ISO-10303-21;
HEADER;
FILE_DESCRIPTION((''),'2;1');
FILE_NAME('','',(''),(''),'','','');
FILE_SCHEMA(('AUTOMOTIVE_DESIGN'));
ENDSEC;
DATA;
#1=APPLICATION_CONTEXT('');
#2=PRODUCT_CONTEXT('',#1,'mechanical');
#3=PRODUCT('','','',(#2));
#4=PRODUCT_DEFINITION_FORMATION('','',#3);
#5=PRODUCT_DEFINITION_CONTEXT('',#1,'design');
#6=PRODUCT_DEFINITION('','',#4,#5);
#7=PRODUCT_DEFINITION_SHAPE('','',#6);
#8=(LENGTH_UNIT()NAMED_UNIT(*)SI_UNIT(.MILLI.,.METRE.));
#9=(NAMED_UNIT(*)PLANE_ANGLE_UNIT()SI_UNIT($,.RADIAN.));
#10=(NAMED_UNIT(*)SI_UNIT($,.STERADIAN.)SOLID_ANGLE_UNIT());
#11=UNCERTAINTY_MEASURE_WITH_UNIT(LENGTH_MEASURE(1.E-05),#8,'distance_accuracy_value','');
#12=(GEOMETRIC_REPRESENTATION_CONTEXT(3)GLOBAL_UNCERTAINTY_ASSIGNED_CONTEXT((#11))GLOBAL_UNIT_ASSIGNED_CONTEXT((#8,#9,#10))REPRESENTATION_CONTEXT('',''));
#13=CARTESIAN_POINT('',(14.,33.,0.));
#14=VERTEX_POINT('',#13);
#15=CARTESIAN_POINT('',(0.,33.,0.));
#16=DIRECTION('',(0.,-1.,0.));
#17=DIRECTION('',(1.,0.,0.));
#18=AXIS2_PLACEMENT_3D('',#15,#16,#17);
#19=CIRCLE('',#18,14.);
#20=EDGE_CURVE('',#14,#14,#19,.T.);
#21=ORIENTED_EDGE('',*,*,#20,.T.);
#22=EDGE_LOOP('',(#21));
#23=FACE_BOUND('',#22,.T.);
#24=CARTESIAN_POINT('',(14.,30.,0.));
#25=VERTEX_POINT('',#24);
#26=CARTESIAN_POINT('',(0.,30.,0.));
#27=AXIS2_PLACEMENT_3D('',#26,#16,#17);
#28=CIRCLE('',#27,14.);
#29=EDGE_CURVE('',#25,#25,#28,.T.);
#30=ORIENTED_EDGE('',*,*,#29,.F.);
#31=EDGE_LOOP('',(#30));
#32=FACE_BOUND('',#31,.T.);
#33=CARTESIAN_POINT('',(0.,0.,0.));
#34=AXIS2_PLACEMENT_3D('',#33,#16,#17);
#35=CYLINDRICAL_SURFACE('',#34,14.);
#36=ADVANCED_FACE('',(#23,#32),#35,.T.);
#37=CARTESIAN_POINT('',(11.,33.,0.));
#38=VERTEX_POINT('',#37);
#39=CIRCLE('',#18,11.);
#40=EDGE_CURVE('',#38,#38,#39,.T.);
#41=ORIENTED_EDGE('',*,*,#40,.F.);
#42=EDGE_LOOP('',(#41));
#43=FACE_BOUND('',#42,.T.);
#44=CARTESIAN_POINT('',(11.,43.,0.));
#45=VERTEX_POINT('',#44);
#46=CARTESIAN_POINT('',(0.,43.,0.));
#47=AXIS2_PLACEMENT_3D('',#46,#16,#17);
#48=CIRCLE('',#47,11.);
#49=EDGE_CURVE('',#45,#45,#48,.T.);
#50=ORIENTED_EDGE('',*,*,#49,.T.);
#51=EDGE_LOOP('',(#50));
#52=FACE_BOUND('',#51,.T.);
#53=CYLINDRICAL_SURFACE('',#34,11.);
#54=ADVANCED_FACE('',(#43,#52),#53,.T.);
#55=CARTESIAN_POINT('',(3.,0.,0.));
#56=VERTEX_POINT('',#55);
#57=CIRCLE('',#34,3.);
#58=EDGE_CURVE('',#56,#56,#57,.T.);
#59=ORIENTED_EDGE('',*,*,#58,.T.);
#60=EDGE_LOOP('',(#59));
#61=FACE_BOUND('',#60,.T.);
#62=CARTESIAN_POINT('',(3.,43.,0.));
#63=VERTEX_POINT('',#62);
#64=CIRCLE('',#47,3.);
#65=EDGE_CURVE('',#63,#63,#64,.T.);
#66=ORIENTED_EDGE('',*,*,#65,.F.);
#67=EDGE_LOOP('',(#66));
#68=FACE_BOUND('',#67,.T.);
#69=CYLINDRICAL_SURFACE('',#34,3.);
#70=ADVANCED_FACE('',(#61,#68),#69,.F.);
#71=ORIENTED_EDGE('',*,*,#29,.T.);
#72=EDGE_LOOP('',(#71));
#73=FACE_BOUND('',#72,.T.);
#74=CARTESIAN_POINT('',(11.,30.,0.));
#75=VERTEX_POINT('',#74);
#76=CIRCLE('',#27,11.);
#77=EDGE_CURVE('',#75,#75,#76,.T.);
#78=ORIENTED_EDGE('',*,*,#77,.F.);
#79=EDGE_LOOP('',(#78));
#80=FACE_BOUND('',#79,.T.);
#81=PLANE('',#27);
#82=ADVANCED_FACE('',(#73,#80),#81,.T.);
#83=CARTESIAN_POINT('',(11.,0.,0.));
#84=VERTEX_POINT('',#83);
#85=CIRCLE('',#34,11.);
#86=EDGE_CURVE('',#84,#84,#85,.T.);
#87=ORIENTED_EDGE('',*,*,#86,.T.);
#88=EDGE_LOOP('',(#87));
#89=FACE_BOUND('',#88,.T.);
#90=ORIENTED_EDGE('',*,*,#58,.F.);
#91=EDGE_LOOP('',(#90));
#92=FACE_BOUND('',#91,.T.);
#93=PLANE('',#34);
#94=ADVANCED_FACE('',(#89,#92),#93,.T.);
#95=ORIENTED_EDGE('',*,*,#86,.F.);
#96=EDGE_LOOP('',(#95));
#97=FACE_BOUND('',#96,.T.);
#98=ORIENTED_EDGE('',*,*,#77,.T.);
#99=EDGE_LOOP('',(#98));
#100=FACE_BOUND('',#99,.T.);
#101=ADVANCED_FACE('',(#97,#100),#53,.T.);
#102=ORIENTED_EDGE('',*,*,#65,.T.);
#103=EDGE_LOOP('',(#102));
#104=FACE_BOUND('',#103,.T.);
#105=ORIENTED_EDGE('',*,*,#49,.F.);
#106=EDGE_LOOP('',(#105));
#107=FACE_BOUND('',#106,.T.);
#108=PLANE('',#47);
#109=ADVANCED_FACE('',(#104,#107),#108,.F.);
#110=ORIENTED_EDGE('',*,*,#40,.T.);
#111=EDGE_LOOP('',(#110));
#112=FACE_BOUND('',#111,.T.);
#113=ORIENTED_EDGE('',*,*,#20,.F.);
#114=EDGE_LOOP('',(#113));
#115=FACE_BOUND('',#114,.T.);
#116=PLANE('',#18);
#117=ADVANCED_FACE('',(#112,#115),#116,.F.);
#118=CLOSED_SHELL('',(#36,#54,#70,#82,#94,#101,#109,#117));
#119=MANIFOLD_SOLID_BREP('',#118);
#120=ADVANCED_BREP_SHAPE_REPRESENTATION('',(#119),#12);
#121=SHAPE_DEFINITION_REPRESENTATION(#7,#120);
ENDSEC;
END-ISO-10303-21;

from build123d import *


with BuildPart() as part:
    # Sketch1 → Revolve1 (revolve)
    with BuildSketch(Plane.XY, mode=Mode.PRIVATE) as revolve1_sk:
        Polygon((-11, 0), (-3, 0), (-3, 43), (-11, 43), (-11, 33), (-14, 33), (-14, 30), (-11, 30), align=None)
    revolve(revolve1_sk.sketch.rotate(Axis((0, 0, 0), (0, 1, 0)), 180), axis=Axis((0, 0, 0), (0, 1, 0)))


solid = part.part
